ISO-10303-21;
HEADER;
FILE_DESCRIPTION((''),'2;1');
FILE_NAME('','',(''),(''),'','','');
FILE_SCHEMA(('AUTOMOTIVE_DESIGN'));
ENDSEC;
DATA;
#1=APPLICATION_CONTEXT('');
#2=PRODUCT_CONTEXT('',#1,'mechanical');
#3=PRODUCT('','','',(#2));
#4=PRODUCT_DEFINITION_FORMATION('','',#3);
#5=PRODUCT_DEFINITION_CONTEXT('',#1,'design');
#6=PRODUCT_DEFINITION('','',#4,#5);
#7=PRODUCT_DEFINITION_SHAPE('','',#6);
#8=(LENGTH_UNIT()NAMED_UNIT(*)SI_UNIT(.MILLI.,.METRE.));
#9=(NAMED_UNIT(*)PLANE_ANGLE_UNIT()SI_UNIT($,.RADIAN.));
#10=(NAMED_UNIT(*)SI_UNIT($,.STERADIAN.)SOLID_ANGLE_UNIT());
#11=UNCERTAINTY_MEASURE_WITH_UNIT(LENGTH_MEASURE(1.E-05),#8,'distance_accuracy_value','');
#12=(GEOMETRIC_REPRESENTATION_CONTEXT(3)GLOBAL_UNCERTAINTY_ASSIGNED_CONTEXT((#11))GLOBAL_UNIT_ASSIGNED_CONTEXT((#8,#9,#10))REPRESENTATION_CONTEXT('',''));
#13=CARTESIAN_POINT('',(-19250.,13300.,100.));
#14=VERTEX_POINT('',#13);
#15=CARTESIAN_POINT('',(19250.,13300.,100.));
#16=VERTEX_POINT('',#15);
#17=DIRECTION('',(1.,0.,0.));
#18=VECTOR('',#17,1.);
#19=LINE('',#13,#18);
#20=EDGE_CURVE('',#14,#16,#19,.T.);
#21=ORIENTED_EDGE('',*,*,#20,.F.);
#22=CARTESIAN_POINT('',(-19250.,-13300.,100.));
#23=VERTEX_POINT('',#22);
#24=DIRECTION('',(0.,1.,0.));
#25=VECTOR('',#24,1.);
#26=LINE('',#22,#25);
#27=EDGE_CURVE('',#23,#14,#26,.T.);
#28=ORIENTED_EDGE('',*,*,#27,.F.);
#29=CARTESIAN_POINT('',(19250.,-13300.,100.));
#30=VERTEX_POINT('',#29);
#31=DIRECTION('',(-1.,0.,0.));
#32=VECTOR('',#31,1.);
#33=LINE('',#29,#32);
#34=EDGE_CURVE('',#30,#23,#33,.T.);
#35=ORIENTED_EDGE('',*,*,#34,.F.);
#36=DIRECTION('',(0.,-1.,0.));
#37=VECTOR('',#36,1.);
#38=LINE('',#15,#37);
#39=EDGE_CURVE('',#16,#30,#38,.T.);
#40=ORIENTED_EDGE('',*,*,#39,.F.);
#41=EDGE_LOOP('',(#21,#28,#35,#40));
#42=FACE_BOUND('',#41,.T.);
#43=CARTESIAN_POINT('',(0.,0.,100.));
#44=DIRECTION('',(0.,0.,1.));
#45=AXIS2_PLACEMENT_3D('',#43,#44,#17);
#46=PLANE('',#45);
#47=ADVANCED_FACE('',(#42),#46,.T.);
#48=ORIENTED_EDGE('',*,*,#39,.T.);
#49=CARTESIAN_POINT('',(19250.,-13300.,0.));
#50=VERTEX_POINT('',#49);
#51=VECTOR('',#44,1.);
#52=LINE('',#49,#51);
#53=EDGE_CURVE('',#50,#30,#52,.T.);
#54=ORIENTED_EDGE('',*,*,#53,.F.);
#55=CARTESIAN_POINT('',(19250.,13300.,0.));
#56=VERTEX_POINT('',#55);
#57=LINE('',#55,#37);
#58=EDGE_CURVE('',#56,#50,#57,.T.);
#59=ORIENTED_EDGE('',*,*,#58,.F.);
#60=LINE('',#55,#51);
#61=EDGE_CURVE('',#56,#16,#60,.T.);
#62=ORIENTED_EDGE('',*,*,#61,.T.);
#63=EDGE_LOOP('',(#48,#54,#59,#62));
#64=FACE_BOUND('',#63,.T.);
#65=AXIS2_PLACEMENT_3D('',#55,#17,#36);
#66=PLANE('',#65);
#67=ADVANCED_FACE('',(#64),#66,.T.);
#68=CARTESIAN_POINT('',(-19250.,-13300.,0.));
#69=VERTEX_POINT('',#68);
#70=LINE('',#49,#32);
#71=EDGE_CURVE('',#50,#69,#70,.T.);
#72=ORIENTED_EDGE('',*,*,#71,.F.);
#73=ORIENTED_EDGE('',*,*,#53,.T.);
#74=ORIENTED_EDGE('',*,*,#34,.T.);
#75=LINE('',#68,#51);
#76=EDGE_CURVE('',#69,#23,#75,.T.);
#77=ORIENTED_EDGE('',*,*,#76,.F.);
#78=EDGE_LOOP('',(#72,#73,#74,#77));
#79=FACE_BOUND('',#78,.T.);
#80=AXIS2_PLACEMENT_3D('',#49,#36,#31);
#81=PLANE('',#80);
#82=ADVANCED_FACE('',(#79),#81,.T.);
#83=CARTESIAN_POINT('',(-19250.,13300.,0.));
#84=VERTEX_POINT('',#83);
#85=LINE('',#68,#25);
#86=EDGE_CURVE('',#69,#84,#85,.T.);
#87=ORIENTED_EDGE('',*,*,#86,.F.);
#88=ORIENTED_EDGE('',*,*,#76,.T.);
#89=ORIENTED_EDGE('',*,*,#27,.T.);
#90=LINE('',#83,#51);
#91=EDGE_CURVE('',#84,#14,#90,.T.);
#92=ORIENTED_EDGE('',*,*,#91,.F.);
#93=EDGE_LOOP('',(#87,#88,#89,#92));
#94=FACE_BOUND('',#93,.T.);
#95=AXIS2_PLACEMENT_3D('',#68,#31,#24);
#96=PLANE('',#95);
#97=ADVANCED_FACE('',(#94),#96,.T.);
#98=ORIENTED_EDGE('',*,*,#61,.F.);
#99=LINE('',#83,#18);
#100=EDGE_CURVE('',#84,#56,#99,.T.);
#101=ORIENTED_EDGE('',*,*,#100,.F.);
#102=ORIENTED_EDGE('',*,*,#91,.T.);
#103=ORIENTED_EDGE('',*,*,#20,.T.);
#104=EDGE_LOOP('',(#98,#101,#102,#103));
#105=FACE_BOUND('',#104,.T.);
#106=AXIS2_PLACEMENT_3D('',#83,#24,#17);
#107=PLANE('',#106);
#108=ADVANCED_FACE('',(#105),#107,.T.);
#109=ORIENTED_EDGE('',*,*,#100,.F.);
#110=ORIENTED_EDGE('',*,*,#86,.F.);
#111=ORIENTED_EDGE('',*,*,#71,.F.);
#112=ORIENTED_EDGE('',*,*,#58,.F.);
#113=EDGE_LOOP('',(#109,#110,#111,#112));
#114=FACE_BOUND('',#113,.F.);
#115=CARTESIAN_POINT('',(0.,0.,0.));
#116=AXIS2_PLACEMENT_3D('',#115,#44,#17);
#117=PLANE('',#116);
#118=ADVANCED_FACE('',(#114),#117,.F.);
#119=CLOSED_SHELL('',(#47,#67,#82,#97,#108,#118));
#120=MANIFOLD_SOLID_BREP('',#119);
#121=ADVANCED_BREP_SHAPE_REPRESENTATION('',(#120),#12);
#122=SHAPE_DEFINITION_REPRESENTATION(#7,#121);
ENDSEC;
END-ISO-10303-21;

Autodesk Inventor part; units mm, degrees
ref_plane "YZ Plane" through (0, 0, 0) normal (1, 0, 0) x (0, 1, 0)
ref_plane "XZ Plane" through (0, 0, 0) normal (0, 1, 0) x (-1, 0, 0)
ref_plane "XY Plane" through (0, 0, 0) normal (0, 0, 1) x (1, 0, 0)
sketch "Boceto1" plane through (0, 0, 0) normal (0, 0, 1) x (1, 0, 0)
  line L0 (-19250, 13300) -> (19250, 13300)
  line L1 (19250, 13300) -> (19250, -13300)
  line L2 (19250, -13300) -> (-19250, -13300)
  line L3 (-19250, -13300) -> (-19250, 13300)
  point P0 (0, 0)
  dimension "d0" = 38500
  dimension "d1" = 26600
  dimension "d2" = 19250
  dimension "d3" = 13300
extrude "Extrusión1" add sketch "Boceto1" along normal blind 100
sketch "Boceto2" plane through (0, 0, 100) normal (0, 0, 1) x (1, 0, 0)
  line L0 (17062.1132, -13300) -> (-17062.1132, -13300) construction
  line L1 (-17062.1132, -13300) -> (-17062.1132, 13300) construction
  line L2 (-17062.1132, 13300) -> (17062.1132, 13300) construction
  line L3 (17062.1132, 13300) -> (17062.1132, -13300) construction
  line L4 (-19250, -13300) -> (19250, -13300) projected
  line L5 (19250, -13300) -> (19250, 13300) projected
  point P0 (0, 0)
  dimension "d21" = 26600
  dimension "d22" = 26600
  dimension "d24" = 0
  dimension "d25" = 2187.8868
  dimension "d26" = 34124.2264
  dimension "d27" = 38500
equation "\"d2\" = 0.5 * d0"
equation "\"d3\" = 0.5 * d1"
equation "\"d22\" = d21"
equation "\"d25\" = -0.5 * d26 + 0.5 * d27"
properties part number "Floor"
